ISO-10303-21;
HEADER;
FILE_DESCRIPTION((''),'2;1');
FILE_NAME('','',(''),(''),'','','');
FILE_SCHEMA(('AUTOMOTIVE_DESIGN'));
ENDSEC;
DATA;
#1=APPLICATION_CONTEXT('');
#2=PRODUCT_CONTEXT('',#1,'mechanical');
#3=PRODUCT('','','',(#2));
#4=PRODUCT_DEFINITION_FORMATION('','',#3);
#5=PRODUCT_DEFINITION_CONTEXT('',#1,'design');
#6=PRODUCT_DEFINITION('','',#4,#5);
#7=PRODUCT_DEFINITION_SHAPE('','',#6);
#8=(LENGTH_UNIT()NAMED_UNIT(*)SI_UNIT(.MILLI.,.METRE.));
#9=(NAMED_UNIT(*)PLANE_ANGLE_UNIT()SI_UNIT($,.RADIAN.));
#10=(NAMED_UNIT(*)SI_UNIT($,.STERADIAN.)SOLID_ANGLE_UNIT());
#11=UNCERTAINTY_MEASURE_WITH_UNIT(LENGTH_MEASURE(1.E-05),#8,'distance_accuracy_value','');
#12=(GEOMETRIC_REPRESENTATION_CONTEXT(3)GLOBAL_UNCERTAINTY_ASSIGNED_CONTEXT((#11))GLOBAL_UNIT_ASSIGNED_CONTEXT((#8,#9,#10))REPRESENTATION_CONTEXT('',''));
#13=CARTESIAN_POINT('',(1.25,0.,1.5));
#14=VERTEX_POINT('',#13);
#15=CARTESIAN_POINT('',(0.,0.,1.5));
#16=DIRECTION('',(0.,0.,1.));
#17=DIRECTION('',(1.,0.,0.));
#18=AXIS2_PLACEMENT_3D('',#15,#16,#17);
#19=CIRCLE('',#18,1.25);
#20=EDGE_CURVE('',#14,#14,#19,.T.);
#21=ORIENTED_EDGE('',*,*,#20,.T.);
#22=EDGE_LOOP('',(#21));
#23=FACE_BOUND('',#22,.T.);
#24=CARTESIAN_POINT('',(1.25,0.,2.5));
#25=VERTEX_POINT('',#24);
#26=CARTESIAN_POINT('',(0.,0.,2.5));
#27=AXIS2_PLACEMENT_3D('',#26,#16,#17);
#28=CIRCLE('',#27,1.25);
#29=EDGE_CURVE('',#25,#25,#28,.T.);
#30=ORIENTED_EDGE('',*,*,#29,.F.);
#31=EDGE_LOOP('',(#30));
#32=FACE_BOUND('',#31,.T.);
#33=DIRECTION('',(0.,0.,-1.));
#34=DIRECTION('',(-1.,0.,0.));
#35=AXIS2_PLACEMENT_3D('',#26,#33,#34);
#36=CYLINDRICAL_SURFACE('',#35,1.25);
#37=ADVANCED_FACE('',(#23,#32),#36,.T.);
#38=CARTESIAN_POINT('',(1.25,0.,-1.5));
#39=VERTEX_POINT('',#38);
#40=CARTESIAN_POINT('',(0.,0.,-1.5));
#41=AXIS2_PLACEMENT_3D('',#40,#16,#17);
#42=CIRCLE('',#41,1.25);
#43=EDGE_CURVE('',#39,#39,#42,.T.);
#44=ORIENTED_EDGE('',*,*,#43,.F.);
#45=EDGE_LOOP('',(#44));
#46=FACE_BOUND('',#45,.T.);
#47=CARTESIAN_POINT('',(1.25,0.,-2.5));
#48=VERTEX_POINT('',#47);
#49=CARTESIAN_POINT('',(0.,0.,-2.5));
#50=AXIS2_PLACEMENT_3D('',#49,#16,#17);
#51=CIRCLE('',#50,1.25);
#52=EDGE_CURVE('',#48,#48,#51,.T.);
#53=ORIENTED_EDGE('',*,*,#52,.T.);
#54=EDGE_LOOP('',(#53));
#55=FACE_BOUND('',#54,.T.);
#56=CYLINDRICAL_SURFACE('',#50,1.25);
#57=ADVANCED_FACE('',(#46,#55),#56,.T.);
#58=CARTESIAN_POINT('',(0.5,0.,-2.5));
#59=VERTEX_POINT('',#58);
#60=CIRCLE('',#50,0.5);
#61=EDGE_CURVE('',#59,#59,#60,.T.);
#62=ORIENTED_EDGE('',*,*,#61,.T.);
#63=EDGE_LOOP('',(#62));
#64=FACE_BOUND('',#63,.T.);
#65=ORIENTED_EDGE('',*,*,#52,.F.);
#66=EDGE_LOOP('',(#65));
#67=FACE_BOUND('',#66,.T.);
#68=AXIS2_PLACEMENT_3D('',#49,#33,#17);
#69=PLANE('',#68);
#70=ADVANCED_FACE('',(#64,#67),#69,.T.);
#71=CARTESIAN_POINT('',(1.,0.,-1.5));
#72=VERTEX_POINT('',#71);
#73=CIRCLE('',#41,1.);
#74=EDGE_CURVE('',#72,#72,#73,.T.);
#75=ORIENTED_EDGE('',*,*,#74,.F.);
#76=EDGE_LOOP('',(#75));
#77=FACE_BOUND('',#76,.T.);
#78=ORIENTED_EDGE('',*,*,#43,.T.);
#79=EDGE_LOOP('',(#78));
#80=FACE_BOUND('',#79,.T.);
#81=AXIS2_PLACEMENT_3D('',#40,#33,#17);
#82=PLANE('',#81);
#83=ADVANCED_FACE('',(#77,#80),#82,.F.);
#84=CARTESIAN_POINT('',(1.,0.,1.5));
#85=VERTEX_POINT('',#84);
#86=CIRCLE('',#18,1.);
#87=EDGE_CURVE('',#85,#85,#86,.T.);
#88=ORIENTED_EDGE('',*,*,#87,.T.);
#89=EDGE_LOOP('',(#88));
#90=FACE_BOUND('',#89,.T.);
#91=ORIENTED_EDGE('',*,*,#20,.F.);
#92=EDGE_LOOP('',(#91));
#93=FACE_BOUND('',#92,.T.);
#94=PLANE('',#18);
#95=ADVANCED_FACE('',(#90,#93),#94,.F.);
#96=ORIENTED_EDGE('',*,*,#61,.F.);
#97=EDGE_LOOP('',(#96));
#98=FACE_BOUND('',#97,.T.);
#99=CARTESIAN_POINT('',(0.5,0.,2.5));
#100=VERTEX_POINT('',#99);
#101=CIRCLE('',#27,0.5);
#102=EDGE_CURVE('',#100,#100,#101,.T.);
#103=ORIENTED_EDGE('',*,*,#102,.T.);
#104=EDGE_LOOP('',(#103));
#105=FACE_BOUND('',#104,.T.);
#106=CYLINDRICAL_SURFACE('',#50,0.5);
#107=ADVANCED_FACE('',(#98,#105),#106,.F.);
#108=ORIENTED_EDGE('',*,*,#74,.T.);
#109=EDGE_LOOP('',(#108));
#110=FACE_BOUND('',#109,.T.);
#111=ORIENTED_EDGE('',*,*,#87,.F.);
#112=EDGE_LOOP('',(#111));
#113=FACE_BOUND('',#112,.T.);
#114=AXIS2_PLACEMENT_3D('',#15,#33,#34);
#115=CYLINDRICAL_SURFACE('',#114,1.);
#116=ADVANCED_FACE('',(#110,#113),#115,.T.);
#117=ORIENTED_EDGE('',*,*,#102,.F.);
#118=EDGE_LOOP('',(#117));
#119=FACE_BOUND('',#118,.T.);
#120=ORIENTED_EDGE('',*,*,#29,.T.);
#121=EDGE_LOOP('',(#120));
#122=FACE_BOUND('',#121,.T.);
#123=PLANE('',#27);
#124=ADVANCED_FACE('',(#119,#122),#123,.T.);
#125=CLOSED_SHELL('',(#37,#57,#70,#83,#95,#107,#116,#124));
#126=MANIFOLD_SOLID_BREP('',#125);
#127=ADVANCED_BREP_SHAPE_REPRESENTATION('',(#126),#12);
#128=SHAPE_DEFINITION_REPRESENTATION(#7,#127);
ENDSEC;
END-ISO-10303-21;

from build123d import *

# Parameters (mm, degrees)
SKETCH1_R               = 1
BOSS_EXTRUDE1_DEPTH     = 1.5
SKETCH2_R               = 1.25
BOSS_EXTRUDE2_DEPTH     = 1
CUT_EXTRUDE1_DEPTH      = 4.061862178
CUT_EXTRUDE1_DEPTH_BACK = 4.061862178
SKETCH1_4_R             = 0.5


with BuildPart() as part:
    # Sketch1 → Boss-Extrude1 (new, symmetric)
    with BuildSketch(Plane.XY):
        Circle(SKETCH1_R)
    extrude(amount=BOSS_EXTRUDE1_DEPTH, both=True)

    # Sketch2 → Boss-Extrude2 (add)
    with BuildSketch(Plane.XY.offset(1.5)):
        Circle(SKETCH2_R)
    boss_extrude2 = extrude(amount=BOSS_EXTRUDE2_DEPTH)

    # Mirror1: Boss-Extrude2 across plane
    add(boss_extrude2.mirror(Plane.XY))

    # Sketch1<4> → Cut-Extrude1 (cut, two sides: drawn at the far end of the back side and taken through both)
    with BuildSketch(Plane.XY.offset(-CUT_EXTRUDE1_DEPTH_BACK)):
        Circle(SKETCH1_4_R)
    extrude(amount=CUT_EXTRUDE1_DEPTH + CUT_EXTRUDE1_DEPTH_BACK, mode=Mode.SUBTRACT)


solid = part.part
